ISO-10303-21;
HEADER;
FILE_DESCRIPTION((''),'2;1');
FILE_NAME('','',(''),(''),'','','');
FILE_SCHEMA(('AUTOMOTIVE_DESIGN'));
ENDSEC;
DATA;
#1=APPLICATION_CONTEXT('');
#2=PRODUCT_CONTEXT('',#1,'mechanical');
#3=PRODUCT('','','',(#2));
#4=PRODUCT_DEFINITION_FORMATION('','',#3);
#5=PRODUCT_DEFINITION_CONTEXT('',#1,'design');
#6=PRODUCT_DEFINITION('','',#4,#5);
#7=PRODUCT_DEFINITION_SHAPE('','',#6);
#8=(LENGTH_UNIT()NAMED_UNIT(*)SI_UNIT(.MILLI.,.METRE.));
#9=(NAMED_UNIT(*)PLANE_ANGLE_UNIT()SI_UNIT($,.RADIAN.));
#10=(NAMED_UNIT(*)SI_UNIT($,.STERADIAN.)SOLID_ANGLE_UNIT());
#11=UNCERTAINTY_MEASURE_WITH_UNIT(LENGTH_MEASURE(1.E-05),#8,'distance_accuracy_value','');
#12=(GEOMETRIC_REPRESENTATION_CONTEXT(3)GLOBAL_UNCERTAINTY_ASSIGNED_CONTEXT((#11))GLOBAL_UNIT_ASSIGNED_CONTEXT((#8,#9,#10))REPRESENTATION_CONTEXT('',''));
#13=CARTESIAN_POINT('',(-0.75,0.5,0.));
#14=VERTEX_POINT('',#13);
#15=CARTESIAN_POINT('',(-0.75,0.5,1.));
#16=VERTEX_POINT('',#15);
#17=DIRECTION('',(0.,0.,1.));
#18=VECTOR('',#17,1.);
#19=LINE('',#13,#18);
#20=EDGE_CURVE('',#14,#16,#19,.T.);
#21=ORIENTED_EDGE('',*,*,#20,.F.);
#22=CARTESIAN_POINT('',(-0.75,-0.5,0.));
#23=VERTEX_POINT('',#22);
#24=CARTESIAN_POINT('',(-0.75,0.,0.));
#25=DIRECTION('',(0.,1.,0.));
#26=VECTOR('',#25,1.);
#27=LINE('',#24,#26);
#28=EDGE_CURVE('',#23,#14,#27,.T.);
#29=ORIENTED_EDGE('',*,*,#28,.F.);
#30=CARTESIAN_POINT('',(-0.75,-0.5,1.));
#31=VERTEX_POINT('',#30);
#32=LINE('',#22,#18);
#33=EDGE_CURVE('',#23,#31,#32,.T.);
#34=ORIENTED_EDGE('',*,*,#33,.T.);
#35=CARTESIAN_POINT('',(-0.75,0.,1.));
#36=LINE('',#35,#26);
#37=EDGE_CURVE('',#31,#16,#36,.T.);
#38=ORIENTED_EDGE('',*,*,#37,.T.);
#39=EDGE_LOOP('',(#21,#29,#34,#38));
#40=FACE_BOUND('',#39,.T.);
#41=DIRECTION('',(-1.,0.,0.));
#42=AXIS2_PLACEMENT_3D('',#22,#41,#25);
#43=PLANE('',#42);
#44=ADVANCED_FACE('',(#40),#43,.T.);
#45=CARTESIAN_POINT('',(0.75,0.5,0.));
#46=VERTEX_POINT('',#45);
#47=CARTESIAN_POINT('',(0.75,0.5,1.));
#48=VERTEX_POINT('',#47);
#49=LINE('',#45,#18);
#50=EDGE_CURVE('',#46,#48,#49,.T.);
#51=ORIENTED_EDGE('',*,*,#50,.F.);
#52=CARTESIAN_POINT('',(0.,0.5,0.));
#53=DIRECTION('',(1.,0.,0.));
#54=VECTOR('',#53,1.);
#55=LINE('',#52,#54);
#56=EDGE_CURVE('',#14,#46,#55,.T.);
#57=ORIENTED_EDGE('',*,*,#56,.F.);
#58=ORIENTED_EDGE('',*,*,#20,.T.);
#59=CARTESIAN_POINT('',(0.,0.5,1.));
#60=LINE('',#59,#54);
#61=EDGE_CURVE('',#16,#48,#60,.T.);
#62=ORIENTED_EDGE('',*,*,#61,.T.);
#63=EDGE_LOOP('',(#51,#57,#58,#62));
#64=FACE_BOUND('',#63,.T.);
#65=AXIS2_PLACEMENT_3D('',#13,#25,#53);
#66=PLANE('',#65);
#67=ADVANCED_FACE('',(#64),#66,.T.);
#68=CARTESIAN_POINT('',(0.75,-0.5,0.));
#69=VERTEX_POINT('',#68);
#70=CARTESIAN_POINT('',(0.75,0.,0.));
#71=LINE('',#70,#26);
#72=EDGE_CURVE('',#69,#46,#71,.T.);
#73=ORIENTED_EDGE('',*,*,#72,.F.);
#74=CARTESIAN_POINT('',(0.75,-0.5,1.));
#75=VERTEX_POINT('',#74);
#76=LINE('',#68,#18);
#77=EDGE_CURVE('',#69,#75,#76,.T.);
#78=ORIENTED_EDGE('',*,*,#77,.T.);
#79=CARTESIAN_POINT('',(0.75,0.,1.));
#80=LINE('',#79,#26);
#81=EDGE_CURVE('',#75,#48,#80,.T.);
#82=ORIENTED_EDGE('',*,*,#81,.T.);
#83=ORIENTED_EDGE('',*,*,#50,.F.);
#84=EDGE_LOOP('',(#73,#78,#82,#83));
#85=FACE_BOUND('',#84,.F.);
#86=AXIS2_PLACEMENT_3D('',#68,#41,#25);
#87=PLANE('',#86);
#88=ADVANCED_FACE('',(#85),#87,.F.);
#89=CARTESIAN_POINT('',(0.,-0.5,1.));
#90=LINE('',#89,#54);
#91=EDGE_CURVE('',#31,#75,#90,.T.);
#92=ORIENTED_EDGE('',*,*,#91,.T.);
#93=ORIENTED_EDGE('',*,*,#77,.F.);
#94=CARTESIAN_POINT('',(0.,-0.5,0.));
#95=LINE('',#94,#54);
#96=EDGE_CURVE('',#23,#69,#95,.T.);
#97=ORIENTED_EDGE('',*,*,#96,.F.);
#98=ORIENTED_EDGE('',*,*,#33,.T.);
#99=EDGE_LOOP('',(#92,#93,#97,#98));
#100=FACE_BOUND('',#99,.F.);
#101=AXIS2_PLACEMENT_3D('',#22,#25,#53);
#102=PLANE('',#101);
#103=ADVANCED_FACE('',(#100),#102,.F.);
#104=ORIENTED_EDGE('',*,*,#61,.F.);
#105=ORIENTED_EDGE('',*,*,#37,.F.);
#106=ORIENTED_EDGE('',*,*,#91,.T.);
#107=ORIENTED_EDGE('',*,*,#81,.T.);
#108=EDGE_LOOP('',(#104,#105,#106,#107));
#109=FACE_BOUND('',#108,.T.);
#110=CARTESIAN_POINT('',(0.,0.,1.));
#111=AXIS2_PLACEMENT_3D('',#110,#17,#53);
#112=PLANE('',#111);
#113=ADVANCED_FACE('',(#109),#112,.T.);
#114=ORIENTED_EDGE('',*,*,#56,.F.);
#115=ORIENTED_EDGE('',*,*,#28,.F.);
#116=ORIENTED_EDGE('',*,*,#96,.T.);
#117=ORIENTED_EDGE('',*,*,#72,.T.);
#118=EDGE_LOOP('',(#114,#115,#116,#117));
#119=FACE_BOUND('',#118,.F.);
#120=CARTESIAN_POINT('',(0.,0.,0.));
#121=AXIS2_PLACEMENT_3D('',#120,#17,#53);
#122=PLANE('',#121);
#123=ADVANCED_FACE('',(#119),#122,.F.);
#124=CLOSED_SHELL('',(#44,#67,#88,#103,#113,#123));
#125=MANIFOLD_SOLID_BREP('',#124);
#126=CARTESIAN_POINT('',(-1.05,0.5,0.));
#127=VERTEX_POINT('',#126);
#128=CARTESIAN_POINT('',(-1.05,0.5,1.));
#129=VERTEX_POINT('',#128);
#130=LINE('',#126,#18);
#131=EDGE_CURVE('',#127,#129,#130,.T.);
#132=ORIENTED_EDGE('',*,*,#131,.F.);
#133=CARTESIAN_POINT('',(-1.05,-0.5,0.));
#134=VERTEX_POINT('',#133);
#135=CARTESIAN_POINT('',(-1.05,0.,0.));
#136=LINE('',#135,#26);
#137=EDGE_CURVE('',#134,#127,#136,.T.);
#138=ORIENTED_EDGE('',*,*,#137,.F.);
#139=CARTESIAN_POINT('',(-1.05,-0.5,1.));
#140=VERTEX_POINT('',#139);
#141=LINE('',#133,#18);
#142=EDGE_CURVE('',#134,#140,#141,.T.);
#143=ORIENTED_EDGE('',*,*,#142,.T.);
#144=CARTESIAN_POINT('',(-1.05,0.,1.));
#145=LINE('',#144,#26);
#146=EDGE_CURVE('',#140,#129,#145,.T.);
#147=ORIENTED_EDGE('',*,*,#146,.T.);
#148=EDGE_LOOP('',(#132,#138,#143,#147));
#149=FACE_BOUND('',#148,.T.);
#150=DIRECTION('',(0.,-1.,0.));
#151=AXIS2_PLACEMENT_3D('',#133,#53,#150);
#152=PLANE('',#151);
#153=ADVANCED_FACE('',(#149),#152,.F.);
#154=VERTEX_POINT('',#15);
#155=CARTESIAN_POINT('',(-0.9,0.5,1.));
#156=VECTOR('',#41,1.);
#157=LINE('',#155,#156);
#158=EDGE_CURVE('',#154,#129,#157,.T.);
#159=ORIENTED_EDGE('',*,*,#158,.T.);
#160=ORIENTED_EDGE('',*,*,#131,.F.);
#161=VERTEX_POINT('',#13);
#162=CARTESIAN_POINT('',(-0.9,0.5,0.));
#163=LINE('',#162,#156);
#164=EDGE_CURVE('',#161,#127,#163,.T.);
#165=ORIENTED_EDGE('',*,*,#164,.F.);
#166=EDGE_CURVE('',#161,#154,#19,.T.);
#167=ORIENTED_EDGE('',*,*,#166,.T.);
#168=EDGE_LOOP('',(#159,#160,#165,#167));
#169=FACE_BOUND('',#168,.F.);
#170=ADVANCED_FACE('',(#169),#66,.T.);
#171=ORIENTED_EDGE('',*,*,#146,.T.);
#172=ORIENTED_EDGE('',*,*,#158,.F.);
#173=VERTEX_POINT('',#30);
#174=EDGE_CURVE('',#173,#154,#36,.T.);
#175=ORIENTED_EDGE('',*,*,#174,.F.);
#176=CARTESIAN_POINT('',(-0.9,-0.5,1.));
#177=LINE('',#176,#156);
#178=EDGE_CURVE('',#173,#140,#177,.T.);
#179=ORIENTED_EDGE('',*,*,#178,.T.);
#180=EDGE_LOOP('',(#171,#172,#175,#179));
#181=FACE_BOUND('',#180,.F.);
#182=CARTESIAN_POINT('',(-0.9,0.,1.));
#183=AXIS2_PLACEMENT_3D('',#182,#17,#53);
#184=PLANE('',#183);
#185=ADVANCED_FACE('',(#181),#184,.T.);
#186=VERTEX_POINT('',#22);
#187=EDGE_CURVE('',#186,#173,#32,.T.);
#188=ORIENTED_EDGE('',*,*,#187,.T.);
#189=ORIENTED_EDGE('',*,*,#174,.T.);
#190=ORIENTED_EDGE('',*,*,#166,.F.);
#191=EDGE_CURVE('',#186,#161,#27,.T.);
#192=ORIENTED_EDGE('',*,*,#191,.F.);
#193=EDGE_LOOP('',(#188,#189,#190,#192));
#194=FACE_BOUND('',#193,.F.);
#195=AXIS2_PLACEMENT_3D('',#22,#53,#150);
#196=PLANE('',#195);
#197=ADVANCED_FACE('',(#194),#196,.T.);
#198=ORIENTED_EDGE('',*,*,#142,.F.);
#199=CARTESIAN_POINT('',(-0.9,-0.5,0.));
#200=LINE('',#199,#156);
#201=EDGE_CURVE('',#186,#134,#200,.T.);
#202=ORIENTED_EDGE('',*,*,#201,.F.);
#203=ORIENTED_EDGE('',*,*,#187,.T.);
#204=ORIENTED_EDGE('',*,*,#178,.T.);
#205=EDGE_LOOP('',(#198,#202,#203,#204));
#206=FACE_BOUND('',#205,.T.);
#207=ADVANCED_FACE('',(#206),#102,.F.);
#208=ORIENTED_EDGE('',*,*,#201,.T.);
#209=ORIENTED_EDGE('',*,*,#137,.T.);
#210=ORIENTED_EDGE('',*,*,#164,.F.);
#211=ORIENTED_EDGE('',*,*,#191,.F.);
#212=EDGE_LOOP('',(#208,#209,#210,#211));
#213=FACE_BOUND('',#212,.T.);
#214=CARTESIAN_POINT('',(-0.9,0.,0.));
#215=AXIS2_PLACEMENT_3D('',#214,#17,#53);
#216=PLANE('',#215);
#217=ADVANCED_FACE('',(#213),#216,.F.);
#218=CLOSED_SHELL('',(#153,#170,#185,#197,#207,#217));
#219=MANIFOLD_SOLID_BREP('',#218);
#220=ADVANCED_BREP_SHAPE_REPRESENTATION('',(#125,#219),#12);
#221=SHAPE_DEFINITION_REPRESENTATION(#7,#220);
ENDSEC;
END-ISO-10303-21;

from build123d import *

# Parameters (mm, degrees)
SKETCH_W     = 1.5
SKETCH_H     = 1
PAD_DEPTH    = 1
SKETCH001_W  = 0.3
SKETCH001_H  = 1
PAD001_DEPTH = 1


with BuildPart() as body:
    # Sketch → Pad (new body)
    with BuildSketch(Plane.XY):
        Rectangle(SKETCH_W, SKETCH_H)
    extrude(amount=PAD_DEPTH)


with BuildPart() as body001:
    # Sketch001 → Pad001 (new body)
    with BuildSketch(Plane.XY):
        with Locations((0.9, 0)):
            Rectangle(SKETCH001_W, SKETCH001_H)
    extrude(amount=PAD001_DEPTH)


with BuildPart() as part_mirroring:
    # Part__Mirroring: instance of Body001
    add(body001.part.mirror(Plane(origin=(0, 0, 0), x_dir=(0, -1, 0), z_dir=(1, 0, 0))))


solid = Compound([body.part, part_mirroring.part])
